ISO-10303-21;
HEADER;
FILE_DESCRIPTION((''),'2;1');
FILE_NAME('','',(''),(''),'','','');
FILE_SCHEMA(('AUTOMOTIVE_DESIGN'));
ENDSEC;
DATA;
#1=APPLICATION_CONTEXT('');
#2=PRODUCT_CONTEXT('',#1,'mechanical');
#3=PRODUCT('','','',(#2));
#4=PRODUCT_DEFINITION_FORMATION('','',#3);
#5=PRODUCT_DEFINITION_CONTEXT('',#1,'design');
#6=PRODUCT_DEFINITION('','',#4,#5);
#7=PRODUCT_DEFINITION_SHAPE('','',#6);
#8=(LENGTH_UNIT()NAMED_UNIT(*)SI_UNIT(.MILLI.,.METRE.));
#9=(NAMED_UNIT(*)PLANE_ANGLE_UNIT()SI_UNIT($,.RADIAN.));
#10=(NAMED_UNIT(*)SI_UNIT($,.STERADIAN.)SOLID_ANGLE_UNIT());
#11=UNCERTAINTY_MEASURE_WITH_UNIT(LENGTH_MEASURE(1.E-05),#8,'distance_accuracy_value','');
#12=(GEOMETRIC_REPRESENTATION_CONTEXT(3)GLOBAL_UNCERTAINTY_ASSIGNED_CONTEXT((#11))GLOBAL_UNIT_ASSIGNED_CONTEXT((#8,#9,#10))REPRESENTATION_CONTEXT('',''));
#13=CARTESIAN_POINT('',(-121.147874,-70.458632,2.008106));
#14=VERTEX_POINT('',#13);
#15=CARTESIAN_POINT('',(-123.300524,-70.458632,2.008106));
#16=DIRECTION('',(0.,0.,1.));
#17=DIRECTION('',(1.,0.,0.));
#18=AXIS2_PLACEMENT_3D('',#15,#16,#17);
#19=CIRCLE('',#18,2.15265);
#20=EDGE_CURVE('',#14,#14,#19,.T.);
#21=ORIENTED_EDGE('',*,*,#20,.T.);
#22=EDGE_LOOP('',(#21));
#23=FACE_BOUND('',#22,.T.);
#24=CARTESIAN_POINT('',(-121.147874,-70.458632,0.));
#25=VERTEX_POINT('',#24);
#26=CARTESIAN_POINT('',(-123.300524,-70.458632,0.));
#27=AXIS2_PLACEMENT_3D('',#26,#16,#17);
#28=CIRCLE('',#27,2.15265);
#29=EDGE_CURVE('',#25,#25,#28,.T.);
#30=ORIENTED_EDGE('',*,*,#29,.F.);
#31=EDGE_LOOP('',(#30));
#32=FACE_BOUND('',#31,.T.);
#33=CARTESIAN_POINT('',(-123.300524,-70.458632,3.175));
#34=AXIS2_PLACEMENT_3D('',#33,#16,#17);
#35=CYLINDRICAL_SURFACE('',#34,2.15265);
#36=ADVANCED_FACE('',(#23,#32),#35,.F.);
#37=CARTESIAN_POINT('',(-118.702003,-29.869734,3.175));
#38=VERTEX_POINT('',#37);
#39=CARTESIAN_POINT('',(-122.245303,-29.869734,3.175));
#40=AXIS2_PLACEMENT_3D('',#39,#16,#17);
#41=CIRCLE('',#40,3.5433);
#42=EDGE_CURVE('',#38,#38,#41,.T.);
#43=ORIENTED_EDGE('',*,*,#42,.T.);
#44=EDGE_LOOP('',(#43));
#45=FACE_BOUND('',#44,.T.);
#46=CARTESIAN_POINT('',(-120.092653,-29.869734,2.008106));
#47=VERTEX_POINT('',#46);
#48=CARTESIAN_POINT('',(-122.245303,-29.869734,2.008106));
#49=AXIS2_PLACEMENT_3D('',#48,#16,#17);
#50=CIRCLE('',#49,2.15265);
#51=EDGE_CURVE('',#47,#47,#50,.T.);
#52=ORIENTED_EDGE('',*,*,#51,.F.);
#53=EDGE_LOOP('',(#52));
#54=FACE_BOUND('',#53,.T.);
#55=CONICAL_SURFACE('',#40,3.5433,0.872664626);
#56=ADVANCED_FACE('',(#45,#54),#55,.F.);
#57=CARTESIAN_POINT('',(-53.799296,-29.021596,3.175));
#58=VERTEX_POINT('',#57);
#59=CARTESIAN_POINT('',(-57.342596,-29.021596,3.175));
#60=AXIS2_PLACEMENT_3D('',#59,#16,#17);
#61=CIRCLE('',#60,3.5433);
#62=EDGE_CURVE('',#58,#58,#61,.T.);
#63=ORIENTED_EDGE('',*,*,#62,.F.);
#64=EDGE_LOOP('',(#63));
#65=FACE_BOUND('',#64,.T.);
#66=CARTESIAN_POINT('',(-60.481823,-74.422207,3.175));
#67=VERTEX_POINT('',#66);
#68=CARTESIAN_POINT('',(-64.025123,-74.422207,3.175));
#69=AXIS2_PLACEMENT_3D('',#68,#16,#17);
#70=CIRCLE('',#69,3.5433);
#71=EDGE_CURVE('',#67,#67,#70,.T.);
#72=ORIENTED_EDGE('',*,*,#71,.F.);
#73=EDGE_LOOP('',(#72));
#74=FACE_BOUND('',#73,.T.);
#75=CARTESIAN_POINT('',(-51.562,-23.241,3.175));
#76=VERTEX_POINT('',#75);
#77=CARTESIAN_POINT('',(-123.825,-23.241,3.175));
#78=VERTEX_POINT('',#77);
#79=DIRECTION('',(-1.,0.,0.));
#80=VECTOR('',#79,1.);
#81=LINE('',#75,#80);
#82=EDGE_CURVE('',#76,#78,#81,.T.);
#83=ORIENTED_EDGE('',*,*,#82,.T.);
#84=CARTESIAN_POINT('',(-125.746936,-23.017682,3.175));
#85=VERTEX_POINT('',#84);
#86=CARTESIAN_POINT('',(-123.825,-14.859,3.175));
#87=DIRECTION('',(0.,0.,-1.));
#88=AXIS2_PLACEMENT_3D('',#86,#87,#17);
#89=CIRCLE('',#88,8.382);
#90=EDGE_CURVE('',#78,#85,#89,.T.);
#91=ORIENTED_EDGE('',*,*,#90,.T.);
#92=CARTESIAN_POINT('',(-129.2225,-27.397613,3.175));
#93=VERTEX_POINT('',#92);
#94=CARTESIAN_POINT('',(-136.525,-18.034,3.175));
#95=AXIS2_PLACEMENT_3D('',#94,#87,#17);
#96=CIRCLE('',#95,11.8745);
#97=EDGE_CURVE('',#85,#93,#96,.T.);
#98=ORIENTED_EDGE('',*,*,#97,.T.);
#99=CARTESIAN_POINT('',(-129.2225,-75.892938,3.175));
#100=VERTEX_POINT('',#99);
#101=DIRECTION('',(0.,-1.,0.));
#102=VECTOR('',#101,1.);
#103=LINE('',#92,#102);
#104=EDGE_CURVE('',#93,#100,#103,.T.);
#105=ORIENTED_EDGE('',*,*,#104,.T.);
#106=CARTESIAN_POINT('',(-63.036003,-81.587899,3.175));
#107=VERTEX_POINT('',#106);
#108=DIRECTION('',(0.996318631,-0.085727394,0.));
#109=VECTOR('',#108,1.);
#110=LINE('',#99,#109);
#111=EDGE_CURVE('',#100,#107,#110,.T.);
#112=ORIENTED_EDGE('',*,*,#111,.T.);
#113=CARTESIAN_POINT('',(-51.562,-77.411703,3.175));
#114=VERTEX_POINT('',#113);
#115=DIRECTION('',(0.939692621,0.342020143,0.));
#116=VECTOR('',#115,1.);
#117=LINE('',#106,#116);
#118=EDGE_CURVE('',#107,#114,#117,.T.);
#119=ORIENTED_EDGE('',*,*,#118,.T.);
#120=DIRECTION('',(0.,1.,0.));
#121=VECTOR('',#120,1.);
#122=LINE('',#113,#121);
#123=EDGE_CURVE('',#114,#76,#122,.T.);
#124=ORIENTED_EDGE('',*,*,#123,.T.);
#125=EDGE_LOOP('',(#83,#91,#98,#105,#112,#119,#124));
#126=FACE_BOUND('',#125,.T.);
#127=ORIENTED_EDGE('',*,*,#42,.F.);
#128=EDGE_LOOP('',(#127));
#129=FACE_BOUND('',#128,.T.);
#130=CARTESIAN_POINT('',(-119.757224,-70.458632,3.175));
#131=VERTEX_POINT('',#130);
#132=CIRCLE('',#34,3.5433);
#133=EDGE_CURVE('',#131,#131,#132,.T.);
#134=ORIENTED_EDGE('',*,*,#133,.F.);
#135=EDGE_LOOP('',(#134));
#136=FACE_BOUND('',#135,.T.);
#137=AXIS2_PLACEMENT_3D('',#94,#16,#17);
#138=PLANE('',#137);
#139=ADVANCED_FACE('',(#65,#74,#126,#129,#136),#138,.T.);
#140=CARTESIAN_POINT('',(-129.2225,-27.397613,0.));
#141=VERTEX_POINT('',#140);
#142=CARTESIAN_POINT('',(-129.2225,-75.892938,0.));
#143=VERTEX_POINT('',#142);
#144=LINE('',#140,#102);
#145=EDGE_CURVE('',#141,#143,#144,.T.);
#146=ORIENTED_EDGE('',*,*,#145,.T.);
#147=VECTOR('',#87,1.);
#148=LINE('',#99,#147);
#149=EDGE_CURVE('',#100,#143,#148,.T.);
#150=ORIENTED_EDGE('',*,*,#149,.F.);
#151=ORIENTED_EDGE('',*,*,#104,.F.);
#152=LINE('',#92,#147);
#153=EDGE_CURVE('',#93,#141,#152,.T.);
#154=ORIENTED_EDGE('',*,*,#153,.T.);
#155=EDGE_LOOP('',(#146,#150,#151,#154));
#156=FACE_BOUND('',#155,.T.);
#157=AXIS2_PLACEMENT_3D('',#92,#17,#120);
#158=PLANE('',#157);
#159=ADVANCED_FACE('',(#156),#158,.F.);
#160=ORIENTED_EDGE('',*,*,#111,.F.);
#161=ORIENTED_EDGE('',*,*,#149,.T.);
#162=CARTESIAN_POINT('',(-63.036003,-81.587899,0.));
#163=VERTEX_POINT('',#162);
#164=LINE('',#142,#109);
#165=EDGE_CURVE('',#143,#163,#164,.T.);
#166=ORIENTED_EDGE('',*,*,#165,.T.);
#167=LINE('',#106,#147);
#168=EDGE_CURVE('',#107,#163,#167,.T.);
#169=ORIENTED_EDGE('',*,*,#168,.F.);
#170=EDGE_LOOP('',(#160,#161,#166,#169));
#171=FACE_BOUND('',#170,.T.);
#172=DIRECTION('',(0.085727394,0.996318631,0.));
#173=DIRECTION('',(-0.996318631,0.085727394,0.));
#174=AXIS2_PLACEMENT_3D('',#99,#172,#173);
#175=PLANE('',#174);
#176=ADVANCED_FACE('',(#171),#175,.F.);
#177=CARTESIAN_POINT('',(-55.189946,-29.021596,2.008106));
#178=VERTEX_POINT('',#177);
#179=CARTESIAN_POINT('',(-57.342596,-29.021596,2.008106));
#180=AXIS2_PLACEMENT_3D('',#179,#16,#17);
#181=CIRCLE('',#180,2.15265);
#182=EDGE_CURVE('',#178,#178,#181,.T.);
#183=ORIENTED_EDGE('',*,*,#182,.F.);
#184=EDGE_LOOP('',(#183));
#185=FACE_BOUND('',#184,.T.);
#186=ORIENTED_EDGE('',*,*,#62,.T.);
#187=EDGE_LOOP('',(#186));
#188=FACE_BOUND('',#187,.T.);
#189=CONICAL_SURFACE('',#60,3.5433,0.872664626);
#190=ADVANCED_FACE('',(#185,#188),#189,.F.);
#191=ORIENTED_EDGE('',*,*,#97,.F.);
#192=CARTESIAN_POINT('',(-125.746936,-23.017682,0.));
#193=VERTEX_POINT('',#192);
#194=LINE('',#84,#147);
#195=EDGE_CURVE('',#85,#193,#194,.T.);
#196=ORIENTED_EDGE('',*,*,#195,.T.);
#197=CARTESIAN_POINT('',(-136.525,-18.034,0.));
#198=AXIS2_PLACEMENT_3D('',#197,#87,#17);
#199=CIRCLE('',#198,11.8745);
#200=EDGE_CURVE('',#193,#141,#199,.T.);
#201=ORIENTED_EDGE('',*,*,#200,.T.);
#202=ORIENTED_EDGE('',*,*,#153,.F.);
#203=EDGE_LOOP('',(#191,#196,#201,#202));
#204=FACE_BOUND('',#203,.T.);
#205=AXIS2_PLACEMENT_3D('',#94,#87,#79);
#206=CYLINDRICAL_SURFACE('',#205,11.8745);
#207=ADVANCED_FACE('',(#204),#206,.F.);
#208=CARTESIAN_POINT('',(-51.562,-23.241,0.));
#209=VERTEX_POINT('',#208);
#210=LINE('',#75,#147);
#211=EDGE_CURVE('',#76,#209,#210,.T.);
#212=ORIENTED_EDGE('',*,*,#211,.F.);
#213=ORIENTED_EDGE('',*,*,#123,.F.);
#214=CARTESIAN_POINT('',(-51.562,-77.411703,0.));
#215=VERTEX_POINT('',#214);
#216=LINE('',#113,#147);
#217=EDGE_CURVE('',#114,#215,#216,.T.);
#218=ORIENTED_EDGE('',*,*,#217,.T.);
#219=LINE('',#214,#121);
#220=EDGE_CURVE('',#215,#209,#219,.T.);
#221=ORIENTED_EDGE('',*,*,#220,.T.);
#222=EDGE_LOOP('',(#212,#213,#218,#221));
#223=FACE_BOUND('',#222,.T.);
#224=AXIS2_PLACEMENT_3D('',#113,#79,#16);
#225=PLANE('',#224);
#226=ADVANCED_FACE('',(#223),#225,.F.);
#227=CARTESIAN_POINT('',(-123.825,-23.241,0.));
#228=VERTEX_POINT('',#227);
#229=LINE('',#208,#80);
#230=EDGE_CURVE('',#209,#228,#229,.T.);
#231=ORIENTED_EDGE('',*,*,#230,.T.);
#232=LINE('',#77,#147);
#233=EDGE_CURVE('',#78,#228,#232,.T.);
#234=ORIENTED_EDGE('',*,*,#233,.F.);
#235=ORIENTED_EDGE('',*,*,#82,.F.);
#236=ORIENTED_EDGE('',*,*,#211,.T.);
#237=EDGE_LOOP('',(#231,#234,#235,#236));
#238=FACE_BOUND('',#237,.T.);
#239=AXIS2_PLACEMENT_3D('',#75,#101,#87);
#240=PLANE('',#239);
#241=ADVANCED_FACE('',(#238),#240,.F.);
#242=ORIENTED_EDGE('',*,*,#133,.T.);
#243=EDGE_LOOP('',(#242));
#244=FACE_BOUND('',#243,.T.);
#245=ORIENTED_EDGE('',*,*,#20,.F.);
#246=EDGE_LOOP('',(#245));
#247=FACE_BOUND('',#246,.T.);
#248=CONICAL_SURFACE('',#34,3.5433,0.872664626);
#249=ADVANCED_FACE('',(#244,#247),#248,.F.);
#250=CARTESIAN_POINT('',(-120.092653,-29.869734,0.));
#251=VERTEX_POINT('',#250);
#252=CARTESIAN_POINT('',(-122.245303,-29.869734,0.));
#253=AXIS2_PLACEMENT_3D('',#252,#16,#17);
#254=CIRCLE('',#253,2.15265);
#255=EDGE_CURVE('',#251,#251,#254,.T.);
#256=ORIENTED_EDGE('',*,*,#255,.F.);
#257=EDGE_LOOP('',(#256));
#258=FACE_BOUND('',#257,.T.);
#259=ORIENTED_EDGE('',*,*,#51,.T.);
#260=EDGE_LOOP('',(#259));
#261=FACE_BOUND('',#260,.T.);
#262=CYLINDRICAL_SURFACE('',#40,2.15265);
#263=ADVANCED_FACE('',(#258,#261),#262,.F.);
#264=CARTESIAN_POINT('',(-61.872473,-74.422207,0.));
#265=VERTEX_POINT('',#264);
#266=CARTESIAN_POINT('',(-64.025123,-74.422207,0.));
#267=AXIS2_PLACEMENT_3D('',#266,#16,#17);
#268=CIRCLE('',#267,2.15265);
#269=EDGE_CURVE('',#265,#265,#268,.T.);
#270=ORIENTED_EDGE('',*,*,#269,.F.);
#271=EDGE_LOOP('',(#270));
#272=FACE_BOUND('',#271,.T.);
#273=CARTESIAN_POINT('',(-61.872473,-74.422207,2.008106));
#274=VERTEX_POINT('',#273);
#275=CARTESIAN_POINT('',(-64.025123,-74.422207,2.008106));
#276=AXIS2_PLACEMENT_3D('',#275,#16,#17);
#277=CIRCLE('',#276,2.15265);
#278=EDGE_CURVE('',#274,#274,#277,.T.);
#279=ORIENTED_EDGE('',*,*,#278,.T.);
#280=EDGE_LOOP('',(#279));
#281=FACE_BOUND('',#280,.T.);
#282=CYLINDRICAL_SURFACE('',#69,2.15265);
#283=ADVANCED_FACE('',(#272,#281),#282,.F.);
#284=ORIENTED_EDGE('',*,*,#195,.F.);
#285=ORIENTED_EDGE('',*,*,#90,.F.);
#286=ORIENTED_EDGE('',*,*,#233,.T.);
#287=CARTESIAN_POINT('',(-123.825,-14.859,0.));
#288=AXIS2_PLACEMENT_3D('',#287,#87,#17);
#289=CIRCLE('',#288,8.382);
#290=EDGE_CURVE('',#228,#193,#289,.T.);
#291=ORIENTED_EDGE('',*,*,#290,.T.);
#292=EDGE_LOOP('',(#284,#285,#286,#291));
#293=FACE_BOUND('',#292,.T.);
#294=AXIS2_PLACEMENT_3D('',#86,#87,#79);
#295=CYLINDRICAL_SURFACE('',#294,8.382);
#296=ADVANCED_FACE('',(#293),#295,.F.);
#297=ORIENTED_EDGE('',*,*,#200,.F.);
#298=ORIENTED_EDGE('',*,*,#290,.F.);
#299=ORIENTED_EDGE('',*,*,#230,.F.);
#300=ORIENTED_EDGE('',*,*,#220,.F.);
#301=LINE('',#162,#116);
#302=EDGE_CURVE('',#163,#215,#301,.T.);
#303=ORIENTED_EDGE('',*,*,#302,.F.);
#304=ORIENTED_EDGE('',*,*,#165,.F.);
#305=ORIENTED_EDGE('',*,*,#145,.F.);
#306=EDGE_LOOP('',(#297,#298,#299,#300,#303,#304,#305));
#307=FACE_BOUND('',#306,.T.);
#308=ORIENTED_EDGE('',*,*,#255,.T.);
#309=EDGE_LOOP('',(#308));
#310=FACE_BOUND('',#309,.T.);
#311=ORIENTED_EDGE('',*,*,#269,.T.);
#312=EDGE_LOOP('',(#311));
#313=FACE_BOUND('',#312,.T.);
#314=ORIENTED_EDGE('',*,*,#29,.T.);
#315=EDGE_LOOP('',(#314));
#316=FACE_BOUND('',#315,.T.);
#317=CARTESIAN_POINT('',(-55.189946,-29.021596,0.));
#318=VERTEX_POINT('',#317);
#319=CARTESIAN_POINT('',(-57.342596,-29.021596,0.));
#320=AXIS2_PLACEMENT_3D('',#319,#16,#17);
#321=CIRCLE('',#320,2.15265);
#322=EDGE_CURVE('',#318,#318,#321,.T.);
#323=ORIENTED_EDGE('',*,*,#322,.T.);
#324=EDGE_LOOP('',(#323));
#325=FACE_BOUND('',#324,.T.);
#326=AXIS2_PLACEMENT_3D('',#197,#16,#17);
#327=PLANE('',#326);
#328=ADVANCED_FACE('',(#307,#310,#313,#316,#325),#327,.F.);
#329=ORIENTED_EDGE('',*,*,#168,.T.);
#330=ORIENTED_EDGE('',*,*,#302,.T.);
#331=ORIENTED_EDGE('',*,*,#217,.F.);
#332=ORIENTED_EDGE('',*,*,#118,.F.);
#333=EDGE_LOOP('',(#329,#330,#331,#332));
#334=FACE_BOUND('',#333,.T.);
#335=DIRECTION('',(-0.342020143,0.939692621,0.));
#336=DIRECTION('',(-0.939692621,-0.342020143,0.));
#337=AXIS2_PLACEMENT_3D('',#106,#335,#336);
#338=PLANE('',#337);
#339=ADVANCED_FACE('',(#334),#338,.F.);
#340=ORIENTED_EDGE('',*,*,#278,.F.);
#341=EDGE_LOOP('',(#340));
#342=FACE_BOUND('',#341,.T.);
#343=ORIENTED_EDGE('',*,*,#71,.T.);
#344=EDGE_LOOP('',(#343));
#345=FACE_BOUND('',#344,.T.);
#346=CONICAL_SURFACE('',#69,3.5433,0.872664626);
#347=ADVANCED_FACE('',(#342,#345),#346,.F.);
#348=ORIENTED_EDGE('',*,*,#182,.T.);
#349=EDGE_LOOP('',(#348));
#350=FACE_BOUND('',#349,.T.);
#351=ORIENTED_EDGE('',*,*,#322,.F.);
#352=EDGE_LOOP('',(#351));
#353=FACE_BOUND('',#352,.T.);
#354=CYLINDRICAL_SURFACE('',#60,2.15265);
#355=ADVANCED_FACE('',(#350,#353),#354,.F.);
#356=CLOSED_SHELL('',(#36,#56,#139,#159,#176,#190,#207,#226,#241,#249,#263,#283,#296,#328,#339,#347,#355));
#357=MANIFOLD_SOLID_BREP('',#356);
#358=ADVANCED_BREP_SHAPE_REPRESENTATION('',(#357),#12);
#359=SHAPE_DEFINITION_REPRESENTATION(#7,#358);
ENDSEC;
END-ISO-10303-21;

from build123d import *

# Parameters (mm, degrees)
BOSS_EXTRUDE1_DEPTH                               = 3.175
CSK_FOR_6_FLAT_HEAD_MACHINE_SCREW_100_D           = 4.3053
CSK_FOR_6_FLAT_HEAD_MACHINE_SCREW_100_DEPTH       = 3.175
CSK_FOR_6_FLAT_HEAD_MACHINE_SCREW_100_CSINK_D     = 7.0866
CSK_FOR_6_FLAT_HEAD_MACHINE_SCREW_100_CSINK_ANGLE = 100


with BuildPart() as part:
    # Sketch1 → Boss-Extrude1 (new body)
    with BuildSketch(Plane.XY):
        with BuildLine():
            Line((-129.2225, -27.397612764), (-129.2225, -75.892938058))
            Line((-129.2225, -75.892938058), (-63.036003441, -81.587899176))
            Line((-63.036003441, -81.587899176), (-51.562, -77.411703455))
            Line((-51.562, -77.411703455), (-51.562, -23.241))
            Line((-51.562, -23.241), (-123.825, -23.241))
            ThreePointArc((-123.825, -23.241), (-124.792433255, -23.184983239), (-125.746935831, -23.017681674))
            ThreePointArc((-125.746935831, -23.017681674), (-127.22324483, -25.415131417), (-129.2225, -27.397612764))
        make_face()
    extrude(amount=BOSS_EXTRUDE1_DEPTH)

    # CSK for #6 Flat Head Machine Screw (100)1
    with Locations(Plane.XY.offset(3.175)):
        with Locations((-123.300524074, -70.458632008), (-122.245302558, -29.869734201), (-57.342596045, -29.021596045), (-64.02512283, -74.422207293)):
            CounterSinkHole(CSK_FOR_6_FLAT_HEAD_MACHINE_SCREW_100_D / 2, CSK_FOR_6_FLAT_HEAD_MACHINE_SCREW_100_CSINK_D / 2, depth=CSK_FOR_6_FLAT_HEAD_MACHINE_SCREW_100_DEPTH, counter_sink_angle=CSK_FOR_6_FLAT_HEAD_MACHINE_SCREW_100_CSINK_ANGLE)


solid = part.part
